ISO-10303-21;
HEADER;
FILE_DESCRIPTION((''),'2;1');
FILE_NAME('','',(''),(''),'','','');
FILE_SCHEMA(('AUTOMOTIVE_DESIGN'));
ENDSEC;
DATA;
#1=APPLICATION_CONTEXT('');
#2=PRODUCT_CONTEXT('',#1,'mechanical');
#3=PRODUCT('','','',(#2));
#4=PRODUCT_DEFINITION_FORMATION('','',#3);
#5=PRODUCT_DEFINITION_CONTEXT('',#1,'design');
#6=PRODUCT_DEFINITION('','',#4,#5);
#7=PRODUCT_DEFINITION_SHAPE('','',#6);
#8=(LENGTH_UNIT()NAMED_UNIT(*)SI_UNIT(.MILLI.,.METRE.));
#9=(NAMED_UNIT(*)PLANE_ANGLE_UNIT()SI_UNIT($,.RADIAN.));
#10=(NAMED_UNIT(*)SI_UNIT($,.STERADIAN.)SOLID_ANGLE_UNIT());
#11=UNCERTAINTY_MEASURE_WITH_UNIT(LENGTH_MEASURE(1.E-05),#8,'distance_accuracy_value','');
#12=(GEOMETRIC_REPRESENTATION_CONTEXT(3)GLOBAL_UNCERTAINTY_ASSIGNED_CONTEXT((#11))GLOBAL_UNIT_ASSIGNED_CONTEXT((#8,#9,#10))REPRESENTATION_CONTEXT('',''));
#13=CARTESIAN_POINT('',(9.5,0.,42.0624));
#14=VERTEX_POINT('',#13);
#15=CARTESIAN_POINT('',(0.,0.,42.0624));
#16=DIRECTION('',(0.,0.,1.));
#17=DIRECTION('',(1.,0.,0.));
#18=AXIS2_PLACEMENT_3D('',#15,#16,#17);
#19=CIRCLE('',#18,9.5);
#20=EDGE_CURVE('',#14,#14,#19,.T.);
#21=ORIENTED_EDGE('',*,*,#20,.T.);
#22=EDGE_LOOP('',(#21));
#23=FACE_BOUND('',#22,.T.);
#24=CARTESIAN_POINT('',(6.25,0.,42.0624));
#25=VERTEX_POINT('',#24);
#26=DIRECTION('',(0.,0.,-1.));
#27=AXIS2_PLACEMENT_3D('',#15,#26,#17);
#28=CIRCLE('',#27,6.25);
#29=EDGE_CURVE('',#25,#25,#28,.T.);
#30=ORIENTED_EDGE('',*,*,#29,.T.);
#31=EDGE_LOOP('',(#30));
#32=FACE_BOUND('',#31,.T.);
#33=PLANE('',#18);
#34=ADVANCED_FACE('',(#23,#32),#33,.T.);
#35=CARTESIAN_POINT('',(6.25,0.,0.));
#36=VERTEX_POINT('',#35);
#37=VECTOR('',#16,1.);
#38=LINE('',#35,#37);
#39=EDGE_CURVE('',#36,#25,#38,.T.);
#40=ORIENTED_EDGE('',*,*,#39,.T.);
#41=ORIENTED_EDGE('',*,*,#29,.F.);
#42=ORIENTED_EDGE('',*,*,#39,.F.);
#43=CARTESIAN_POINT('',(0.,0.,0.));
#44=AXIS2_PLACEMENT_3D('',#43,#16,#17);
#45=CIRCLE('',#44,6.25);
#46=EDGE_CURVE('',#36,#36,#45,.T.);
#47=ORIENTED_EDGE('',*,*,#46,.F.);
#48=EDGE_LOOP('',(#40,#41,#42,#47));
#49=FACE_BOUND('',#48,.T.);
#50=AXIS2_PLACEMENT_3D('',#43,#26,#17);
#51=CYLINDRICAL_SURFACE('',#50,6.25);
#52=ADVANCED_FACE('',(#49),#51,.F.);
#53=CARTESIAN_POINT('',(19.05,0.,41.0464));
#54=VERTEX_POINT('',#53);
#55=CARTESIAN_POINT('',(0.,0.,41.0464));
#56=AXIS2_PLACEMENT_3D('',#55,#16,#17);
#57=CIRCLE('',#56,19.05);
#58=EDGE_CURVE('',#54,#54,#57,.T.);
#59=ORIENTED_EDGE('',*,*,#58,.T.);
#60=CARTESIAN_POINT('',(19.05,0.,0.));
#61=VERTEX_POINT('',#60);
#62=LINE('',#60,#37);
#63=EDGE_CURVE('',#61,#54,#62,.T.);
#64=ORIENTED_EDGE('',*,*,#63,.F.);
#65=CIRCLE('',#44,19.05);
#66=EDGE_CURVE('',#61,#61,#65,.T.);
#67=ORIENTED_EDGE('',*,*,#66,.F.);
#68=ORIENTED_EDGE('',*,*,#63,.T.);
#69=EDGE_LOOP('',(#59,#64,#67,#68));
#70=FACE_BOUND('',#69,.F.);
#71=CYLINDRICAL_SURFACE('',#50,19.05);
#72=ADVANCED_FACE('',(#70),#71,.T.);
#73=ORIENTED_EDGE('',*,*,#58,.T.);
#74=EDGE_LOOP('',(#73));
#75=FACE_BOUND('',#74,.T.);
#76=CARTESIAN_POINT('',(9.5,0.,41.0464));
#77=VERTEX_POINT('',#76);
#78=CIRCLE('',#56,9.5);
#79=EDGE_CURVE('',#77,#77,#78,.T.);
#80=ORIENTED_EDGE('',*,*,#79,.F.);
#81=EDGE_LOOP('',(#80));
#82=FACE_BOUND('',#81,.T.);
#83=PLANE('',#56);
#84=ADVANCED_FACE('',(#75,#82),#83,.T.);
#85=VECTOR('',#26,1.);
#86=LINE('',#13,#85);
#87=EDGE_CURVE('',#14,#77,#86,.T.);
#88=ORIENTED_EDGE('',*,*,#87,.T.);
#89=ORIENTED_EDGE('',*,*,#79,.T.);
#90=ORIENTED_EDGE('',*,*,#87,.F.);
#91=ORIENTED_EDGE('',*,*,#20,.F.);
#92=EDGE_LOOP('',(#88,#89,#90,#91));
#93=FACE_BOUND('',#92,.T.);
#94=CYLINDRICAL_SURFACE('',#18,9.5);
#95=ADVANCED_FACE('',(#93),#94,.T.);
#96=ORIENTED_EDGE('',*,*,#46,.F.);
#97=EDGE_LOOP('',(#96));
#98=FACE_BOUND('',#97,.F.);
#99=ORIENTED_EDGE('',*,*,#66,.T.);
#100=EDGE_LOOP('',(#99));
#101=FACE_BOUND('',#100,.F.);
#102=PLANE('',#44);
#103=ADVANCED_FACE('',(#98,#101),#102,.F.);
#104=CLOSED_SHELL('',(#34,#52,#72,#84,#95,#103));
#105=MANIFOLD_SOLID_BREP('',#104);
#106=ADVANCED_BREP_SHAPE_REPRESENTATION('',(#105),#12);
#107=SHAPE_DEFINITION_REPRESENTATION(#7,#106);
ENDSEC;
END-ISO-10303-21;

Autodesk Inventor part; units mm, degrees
ref_plane "YZ Plane" through (0, 0, 0) normal (1, 0, 0) x (0, 1, 0)
ref_plane "XZ Plane" through (0, 0, 0) normal (0, 1, 0) x (-1, 0, 0)
ref_plane "XY Plane" through (0, 0, 0) normal (0, 0, 1) x (1, 0, 0)
sketch "Sketch1" plane through (0, 0, 0) normal (0, 0, 1) x (1, 0, 0)
  line L0 (0, 26.67) -> (0, -26.67) projected
  line L1 (-26.67, 0) -> (26.67, 0) projected
  circle A0 centre (0, 0) radius 19.05
  circle A1 centre (0, 0) radius 6.25
  dimension "d0" = 12.5
  dimension "d1" = 38.1
extrude "Extrusion1" add sketch "Sketch1" along normal blind 42.0624 contours A0 L1 A1 L0 | L0 A1 L1 A0 | A0 L0 A1 L1 | L1 A1 L0 A0
sketch "Sketch2" plane through (0, 0, 42.0624) normal (0, 0, 1) x (1, 0, 0)
  circle A0 centre (0, 0) radius 6.25 projected
  circle A1 centre (0, 0) radius 19.05 projected
  circle A2 centre (0, 0) radius 9.5
  dimension "d4" = 19
extrude "Extrusion2" cut sketch "Sketch2" against normal blind 1.016 contours A1
properties part number "J008110" material "ALUMINUM, 6061-T651"
